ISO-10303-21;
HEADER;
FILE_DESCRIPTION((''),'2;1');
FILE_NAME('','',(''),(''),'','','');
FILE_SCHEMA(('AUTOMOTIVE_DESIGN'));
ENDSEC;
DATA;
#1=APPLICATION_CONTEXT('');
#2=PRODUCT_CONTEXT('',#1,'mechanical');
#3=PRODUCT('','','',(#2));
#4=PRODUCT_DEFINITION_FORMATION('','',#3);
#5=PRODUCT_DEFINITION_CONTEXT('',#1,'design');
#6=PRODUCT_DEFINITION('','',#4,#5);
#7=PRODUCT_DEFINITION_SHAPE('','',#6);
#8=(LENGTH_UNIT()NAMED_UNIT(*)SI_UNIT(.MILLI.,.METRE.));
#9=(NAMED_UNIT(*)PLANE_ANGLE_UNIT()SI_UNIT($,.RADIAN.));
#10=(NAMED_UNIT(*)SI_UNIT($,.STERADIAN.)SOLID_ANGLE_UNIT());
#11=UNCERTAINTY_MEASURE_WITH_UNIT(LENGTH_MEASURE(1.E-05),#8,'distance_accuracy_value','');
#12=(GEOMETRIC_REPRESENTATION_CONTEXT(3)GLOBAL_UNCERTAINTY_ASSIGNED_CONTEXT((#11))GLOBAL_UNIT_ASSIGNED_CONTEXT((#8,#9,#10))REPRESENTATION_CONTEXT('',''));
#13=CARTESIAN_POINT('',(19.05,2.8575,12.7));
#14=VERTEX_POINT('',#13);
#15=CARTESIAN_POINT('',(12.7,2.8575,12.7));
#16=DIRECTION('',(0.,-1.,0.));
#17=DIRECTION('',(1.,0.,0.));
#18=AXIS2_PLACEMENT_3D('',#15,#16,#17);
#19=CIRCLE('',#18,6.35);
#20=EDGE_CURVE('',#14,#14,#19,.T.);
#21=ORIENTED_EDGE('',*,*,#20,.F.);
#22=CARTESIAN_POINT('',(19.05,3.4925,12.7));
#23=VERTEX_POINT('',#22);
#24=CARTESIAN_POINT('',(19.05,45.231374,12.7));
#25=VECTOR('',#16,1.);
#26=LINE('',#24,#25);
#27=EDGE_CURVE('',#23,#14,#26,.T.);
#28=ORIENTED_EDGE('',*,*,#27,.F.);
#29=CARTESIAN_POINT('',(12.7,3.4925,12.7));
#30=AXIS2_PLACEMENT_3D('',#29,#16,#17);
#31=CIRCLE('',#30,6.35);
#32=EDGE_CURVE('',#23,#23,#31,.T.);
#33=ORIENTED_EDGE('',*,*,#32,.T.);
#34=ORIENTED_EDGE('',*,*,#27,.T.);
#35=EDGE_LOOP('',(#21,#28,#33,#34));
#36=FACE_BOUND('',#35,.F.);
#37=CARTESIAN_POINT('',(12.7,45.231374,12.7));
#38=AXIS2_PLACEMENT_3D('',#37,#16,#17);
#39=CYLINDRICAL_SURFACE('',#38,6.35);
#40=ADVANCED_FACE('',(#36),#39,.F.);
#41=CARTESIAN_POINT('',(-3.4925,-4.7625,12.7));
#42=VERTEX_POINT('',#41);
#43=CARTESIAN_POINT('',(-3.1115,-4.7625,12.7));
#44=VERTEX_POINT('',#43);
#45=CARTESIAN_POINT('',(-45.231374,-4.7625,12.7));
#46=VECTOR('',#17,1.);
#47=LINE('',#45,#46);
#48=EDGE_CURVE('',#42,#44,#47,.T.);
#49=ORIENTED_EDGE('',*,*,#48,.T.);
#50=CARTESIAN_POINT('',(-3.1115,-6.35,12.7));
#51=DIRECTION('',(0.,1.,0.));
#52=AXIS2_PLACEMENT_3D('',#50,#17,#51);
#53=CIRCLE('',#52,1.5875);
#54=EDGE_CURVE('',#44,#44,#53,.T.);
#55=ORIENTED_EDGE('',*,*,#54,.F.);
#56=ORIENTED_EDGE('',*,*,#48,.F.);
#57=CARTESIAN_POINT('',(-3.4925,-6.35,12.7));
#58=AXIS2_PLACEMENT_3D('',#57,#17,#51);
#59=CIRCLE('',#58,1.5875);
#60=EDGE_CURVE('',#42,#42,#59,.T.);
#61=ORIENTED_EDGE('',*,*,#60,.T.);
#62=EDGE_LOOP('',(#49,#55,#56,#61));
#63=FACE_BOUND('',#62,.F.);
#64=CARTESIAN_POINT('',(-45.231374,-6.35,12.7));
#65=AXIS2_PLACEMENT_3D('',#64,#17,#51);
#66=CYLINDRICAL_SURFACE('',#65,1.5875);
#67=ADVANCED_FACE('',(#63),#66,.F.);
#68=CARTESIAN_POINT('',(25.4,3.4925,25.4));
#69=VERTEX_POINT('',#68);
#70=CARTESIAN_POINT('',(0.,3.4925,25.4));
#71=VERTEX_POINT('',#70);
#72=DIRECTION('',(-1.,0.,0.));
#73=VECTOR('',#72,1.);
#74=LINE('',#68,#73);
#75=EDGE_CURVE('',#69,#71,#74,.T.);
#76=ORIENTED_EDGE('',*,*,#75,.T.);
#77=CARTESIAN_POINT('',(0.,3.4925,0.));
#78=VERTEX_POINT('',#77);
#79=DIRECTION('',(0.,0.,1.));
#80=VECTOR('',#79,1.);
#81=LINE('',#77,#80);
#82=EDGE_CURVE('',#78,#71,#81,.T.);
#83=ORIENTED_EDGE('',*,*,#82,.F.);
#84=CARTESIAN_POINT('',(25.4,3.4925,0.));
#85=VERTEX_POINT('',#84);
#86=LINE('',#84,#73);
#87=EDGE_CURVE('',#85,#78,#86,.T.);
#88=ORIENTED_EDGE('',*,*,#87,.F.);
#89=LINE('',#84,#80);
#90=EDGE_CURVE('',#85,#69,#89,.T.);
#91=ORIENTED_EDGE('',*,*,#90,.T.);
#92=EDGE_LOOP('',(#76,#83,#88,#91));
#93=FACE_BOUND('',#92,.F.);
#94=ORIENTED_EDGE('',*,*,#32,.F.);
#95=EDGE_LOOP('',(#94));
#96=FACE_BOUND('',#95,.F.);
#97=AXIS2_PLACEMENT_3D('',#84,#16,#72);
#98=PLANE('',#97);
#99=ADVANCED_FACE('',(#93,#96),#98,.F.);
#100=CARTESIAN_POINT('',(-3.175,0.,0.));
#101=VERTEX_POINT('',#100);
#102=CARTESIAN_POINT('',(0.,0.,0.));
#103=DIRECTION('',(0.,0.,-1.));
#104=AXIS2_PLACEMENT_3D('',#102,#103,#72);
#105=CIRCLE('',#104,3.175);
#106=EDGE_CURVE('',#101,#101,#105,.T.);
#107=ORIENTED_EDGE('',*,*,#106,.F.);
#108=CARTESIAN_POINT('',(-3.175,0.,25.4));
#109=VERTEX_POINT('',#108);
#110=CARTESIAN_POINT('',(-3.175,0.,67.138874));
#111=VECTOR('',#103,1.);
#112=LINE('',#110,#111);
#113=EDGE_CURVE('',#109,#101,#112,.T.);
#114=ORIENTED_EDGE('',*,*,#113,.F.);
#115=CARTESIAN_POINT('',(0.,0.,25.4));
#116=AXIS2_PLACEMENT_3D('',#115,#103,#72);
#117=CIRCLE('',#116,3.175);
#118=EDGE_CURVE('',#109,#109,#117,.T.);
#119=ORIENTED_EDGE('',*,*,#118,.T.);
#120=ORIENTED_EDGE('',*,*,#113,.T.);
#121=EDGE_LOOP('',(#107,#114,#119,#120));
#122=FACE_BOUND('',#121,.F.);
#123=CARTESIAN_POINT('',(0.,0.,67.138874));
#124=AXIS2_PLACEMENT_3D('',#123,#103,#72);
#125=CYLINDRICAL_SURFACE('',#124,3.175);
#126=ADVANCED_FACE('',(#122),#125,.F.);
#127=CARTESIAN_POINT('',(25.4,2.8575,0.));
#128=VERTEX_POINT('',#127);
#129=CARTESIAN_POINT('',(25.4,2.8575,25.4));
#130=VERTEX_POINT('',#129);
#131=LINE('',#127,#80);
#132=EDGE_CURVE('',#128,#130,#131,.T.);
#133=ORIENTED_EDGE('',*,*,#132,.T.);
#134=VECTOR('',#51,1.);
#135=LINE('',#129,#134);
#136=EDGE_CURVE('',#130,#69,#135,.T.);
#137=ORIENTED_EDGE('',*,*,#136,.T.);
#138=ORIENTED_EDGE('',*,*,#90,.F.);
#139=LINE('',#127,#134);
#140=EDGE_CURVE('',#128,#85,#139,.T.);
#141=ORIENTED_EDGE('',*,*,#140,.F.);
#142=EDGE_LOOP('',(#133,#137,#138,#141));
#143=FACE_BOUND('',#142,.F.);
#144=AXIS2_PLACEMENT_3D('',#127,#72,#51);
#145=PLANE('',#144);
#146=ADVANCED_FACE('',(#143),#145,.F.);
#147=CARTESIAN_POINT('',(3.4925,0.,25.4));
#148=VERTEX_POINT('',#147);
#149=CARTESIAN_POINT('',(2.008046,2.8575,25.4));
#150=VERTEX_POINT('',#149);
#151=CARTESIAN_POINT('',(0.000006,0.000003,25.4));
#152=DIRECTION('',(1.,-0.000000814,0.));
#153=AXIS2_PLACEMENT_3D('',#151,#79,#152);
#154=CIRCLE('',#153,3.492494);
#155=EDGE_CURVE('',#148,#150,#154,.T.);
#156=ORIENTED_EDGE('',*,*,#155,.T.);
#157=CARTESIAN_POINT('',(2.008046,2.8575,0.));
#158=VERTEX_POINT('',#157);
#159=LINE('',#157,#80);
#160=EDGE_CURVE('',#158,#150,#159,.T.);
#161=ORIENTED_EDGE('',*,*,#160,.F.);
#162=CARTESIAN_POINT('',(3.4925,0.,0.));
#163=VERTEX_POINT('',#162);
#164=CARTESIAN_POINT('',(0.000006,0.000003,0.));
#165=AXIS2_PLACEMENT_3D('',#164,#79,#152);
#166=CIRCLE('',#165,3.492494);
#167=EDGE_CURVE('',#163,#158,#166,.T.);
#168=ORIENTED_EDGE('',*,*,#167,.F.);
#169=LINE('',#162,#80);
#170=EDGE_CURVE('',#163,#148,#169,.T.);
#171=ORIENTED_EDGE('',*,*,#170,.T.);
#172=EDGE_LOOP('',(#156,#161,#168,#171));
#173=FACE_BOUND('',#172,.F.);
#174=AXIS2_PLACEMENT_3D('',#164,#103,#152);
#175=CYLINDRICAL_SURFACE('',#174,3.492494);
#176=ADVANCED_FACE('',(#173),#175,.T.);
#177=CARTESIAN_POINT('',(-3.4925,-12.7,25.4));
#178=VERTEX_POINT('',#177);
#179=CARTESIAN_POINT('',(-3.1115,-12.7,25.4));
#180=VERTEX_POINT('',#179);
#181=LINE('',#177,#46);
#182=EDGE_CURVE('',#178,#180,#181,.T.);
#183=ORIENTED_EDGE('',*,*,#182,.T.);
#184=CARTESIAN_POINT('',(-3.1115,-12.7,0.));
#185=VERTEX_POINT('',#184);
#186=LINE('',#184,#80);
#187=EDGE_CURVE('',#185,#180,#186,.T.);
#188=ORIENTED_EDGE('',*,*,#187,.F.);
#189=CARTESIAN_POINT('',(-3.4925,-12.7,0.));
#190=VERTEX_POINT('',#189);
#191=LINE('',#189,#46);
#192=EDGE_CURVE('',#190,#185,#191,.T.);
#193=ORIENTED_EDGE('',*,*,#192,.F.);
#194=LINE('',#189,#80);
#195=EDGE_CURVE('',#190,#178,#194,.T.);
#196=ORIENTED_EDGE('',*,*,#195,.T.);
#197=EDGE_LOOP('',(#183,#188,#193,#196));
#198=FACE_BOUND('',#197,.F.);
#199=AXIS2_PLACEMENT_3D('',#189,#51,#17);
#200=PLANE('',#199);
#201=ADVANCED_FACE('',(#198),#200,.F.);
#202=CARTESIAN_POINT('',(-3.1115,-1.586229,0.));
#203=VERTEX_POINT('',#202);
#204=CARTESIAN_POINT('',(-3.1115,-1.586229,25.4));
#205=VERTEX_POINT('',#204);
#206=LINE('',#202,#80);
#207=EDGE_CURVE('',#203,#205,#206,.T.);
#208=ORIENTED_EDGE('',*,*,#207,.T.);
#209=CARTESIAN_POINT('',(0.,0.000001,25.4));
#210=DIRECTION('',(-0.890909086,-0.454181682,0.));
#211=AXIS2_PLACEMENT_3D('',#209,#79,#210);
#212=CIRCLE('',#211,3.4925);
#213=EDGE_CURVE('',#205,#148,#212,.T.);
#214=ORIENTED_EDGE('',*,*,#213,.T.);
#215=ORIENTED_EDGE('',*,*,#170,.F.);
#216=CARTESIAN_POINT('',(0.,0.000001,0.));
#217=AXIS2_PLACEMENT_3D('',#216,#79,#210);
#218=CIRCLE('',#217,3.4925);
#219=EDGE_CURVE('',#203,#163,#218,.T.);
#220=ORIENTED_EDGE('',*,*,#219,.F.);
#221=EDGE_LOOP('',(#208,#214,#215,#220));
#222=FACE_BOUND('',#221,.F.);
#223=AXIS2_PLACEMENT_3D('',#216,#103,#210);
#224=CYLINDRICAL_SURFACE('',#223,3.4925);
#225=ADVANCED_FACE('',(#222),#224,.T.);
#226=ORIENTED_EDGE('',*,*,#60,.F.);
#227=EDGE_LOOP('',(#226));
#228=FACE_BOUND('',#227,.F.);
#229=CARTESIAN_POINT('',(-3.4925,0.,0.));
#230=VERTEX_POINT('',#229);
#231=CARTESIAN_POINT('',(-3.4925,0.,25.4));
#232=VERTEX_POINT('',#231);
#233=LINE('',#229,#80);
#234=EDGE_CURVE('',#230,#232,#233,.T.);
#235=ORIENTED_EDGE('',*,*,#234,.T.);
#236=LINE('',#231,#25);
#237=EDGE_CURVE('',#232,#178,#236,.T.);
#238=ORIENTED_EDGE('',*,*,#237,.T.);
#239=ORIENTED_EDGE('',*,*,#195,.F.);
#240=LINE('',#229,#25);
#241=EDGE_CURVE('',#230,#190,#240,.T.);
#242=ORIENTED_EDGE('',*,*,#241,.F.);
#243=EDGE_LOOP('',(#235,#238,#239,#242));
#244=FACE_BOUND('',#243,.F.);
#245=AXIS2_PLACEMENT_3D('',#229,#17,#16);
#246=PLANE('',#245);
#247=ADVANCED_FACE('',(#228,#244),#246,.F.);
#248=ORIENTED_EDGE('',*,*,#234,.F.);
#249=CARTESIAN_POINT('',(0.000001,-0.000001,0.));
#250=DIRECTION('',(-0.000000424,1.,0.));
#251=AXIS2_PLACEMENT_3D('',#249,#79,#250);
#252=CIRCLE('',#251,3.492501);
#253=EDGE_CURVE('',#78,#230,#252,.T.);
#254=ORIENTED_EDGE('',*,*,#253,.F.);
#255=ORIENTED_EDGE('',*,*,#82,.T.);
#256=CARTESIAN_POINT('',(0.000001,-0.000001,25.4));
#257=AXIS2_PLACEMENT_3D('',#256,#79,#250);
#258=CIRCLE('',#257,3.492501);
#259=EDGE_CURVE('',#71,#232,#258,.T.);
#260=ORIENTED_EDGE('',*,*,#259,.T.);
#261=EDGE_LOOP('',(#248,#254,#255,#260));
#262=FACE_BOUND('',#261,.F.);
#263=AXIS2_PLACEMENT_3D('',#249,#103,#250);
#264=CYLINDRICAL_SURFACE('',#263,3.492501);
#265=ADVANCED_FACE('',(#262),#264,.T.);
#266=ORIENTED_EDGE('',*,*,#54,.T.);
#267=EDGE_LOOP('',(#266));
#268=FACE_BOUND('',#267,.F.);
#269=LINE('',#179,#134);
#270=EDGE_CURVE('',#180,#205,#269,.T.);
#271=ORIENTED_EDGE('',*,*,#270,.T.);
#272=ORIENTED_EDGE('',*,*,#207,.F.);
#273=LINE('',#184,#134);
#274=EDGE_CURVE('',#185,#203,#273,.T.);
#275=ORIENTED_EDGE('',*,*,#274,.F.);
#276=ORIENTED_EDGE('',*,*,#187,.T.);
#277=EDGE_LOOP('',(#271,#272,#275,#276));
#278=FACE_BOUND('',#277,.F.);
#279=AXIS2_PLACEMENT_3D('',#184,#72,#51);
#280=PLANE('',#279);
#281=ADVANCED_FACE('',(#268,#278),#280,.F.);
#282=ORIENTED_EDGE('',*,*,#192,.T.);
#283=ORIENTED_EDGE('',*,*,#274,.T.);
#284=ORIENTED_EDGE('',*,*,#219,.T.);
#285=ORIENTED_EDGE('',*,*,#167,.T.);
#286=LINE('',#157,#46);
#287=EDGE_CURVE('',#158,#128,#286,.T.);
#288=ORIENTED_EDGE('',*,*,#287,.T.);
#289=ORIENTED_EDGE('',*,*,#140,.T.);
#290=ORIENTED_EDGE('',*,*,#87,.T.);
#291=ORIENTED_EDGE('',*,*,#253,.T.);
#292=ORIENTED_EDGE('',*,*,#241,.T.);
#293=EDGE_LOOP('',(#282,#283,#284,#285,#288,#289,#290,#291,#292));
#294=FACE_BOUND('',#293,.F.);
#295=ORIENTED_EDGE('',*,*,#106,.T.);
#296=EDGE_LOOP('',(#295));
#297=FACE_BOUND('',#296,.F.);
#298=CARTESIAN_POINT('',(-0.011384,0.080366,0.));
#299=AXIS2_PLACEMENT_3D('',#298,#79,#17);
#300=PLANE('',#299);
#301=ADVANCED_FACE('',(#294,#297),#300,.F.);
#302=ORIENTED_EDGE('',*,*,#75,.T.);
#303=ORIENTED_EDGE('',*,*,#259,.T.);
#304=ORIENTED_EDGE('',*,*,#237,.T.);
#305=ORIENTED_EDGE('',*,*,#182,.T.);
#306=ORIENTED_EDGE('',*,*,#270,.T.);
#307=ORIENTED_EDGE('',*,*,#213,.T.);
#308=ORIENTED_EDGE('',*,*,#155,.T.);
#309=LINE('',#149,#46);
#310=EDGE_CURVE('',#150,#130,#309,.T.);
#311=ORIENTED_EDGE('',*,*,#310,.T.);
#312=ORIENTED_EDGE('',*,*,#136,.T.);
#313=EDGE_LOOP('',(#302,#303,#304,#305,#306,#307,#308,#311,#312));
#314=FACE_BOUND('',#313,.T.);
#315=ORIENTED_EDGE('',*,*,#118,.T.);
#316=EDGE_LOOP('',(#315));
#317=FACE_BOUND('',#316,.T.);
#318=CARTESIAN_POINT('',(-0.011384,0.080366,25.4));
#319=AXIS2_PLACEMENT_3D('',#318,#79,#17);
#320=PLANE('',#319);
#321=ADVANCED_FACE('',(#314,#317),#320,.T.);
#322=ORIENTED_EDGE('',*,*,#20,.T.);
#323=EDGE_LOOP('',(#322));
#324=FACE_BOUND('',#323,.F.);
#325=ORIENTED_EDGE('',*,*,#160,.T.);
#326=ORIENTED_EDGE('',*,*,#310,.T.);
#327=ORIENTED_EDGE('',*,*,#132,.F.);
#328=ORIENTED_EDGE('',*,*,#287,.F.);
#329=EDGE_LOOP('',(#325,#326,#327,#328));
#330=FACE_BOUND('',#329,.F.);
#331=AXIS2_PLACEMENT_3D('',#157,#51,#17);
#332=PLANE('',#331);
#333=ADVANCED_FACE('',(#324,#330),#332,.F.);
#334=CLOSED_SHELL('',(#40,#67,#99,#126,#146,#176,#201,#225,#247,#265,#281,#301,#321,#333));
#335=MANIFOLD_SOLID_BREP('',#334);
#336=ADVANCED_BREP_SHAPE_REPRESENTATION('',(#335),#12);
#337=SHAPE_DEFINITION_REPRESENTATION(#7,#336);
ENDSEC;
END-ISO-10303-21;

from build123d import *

# Parameters (mm, degrees)
F1_DEPTH = 25.4
F3_D     = 3.175
F5_D     = 12.7
F7_D     = 6.35


with BuildPart() as f1:
    # F0 (on Top) → F1 (new body)
    with BuildSketch(Plane.XY):
        with BuildLine():
            ThreePointArc((-3.1115, -1.586229), (0.815672, -3.395914), (3.4925, 0))
            ThreePointArc((3.4925, 0), (3.099247, 1.61004), (2.008046, 2.8575))
            ThreePointArc((2.008046, 2.8575), (1.053028, 3.329968), (0, 3.4925))
            ThreePointArc((0, 3.4925), (-2.46957, 2.46957), (-3.4925, 0))
            ThreePointArc((-3.4925, 0), (-3.395914, -0.815672), (-3.1115, -1.586229))
        make_face()
        with BuildLine():
            ThreePointArc((0, 3.4925), (1.053028, 3.329968), (2.008046, 2.8575))
            Line((2.008046, 2.8575), (25.4, 2.8575))
            Line((25.4, 2.8575), (25.4, 3.4925))
            Line((25.4, 3.4925), (0, 3.4925))
        make_face()
        with BuildLine():
            Line((-3.1115, -12.7), (-3.1115, -1.586229))
            ThreePointArc((-3.1115, -1.586229), (-3.395914, -0.815672), (-3.4925, 0))
            Line((-3.4925, 0), (-3.4925, -12.7))
            Line((-3.4925, -12.7), (-3.1115, -12.7))
        make_face()
    extrude(amount=F1_DEPTH)

    # F3 (through all)
    with Locations(Plane(origin=(-3.4925, 0, 0), x_dir=(0, -1, 0), z_dir=(-1, 0, 0))):
        with Locations((6.35, 12.7)):
            Hole(F3_D / 2)

    # F5 (through all)
    with Locations(Plane(origin=(0, 3.4925, 0), x_dir=(-1, 0, 0), z_dir=(0, 1, 0))):
        with Locations((-12.7, 12.7)):
            Hole(F5_D / 2)

    # F7 (through all)
    with Locations(Plane.XY.offset(25.4)):
        with Locations((0, 0)):
            Hole(F7_D / 2)


solid = f1.part
